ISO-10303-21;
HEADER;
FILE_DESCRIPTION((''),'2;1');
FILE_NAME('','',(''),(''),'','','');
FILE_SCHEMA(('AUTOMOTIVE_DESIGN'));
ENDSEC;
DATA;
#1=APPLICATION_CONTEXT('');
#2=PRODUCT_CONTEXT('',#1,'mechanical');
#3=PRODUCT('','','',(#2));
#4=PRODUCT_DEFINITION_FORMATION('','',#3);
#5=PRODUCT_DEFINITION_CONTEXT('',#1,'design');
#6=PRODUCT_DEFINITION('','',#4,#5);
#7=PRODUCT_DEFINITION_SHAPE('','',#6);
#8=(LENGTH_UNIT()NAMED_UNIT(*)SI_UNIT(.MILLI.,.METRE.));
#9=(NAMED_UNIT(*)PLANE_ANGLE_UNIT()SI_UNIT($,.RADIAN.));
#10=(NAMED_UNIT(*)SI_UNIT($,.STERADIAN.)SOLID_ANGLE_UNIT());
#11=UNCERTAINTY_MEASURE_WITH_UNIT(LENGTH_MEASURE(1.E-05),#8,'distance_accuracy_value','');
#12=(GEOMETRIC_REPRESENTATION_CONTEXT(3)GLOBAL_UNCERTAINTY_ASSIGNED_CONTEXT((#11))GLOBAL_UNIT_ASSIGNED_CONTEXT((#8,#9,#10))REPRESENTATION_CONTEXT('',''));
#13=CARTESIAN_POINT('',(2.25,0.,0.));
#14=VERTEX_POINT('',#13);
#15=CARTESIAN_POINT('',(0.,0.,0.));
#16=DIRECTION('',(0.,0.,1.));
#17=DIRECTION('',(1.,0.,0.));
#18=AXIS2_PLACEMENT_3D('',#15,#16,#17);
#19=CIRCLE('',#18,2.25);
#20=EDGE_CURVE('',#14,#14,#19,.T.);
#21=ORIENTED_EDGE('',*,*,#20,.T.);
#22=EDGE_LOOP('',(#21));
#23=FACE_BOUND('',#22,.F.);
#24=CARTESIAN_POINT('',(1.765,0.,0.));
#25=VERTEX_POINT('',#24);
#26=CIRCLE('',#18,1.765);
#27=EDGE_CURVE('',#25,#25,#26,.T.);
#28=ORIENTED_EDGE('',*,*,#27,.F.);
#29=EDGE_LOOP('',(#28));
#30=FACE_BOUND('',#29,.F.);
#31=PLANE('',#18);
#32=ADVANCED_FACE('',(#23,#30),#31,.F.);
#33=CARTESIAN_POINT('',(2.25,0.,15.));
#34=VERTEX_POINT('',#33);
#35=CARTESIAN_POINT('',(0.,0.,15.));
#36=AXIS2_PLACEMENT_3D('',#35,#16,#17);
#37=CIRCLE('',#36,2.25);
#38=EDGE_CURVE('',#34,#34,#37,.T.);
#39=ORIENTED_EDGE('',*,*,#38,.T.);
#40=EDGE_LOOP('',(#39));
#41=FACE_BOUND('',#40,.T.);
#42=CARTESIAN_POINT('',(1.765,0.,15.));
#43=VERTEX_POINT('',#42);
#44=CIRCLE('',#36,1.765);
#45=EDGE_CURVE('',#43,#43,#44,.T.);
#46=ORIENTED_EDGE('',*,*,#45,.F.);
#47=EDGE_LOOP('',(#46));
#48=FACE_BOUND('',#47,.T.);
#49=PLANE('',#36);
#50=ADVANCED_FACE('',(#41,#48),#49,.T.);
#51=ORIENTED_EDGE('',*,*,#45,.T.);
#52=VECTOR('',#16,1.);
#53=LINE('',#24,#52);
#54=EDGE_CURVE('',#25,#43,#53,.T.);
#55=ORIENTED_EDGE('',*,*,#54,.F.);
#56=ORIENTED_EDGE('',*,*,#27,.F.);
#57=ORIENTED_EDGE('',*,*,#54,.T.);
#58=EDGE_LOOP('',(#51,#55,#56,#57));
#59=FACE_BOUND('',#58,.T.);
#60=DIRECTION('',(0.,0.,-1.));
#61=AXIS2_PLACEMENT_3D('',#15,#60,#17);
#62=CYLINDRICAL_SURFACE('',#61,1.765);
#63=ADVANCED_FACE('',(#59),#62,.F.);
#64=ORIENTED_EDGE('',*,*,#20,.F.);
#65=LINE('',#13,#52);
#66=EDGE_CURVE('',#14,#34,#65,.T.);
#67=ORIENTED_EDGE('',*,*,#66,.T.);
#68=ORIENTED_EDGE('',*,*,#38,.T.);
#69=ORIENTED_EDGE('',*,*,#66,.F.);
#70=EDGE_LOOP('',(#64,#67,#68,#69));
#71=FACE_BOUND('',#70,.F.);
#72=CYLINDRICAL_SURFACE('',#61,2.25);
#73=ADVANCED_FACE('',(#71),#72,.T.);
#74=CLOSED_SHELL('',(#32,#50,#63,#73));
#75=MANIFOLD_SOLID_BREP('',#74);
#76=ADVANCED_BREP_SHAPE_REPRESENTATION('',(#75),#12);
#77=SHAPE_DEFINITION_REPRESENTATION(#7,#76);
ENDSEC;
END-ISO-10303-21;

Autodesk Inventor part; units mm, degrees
ref_plane "YZ Plane" through (0, 0, 0) normal (1, 0, 0) x (0, 1, 0)
ref_plane "XZ Plane" through (0, 0, 0) normal (0, 1, 0) x (-1, 0, 0)
ref_plane "XY Plane" through (0, 0, 0) normal (0, 0, 1) x (1, 0, 0)
sketch "Skizze1" plane through (0, 0, 0) normal (0, 0, 1) x (1, 0, 0)
  circle A0 centre (0, 0) radius 1.765
  circle A1 centre (0, 0) radius 2.25
  dimension "d0" = 3.53
  dimension "d1" = 4.5
extrude "Extrusion1" add sketch "Skizze1" along normal blind 15
properties part number "Abstandshalter 15mm leicht" material "ABS-Kunststoff"
